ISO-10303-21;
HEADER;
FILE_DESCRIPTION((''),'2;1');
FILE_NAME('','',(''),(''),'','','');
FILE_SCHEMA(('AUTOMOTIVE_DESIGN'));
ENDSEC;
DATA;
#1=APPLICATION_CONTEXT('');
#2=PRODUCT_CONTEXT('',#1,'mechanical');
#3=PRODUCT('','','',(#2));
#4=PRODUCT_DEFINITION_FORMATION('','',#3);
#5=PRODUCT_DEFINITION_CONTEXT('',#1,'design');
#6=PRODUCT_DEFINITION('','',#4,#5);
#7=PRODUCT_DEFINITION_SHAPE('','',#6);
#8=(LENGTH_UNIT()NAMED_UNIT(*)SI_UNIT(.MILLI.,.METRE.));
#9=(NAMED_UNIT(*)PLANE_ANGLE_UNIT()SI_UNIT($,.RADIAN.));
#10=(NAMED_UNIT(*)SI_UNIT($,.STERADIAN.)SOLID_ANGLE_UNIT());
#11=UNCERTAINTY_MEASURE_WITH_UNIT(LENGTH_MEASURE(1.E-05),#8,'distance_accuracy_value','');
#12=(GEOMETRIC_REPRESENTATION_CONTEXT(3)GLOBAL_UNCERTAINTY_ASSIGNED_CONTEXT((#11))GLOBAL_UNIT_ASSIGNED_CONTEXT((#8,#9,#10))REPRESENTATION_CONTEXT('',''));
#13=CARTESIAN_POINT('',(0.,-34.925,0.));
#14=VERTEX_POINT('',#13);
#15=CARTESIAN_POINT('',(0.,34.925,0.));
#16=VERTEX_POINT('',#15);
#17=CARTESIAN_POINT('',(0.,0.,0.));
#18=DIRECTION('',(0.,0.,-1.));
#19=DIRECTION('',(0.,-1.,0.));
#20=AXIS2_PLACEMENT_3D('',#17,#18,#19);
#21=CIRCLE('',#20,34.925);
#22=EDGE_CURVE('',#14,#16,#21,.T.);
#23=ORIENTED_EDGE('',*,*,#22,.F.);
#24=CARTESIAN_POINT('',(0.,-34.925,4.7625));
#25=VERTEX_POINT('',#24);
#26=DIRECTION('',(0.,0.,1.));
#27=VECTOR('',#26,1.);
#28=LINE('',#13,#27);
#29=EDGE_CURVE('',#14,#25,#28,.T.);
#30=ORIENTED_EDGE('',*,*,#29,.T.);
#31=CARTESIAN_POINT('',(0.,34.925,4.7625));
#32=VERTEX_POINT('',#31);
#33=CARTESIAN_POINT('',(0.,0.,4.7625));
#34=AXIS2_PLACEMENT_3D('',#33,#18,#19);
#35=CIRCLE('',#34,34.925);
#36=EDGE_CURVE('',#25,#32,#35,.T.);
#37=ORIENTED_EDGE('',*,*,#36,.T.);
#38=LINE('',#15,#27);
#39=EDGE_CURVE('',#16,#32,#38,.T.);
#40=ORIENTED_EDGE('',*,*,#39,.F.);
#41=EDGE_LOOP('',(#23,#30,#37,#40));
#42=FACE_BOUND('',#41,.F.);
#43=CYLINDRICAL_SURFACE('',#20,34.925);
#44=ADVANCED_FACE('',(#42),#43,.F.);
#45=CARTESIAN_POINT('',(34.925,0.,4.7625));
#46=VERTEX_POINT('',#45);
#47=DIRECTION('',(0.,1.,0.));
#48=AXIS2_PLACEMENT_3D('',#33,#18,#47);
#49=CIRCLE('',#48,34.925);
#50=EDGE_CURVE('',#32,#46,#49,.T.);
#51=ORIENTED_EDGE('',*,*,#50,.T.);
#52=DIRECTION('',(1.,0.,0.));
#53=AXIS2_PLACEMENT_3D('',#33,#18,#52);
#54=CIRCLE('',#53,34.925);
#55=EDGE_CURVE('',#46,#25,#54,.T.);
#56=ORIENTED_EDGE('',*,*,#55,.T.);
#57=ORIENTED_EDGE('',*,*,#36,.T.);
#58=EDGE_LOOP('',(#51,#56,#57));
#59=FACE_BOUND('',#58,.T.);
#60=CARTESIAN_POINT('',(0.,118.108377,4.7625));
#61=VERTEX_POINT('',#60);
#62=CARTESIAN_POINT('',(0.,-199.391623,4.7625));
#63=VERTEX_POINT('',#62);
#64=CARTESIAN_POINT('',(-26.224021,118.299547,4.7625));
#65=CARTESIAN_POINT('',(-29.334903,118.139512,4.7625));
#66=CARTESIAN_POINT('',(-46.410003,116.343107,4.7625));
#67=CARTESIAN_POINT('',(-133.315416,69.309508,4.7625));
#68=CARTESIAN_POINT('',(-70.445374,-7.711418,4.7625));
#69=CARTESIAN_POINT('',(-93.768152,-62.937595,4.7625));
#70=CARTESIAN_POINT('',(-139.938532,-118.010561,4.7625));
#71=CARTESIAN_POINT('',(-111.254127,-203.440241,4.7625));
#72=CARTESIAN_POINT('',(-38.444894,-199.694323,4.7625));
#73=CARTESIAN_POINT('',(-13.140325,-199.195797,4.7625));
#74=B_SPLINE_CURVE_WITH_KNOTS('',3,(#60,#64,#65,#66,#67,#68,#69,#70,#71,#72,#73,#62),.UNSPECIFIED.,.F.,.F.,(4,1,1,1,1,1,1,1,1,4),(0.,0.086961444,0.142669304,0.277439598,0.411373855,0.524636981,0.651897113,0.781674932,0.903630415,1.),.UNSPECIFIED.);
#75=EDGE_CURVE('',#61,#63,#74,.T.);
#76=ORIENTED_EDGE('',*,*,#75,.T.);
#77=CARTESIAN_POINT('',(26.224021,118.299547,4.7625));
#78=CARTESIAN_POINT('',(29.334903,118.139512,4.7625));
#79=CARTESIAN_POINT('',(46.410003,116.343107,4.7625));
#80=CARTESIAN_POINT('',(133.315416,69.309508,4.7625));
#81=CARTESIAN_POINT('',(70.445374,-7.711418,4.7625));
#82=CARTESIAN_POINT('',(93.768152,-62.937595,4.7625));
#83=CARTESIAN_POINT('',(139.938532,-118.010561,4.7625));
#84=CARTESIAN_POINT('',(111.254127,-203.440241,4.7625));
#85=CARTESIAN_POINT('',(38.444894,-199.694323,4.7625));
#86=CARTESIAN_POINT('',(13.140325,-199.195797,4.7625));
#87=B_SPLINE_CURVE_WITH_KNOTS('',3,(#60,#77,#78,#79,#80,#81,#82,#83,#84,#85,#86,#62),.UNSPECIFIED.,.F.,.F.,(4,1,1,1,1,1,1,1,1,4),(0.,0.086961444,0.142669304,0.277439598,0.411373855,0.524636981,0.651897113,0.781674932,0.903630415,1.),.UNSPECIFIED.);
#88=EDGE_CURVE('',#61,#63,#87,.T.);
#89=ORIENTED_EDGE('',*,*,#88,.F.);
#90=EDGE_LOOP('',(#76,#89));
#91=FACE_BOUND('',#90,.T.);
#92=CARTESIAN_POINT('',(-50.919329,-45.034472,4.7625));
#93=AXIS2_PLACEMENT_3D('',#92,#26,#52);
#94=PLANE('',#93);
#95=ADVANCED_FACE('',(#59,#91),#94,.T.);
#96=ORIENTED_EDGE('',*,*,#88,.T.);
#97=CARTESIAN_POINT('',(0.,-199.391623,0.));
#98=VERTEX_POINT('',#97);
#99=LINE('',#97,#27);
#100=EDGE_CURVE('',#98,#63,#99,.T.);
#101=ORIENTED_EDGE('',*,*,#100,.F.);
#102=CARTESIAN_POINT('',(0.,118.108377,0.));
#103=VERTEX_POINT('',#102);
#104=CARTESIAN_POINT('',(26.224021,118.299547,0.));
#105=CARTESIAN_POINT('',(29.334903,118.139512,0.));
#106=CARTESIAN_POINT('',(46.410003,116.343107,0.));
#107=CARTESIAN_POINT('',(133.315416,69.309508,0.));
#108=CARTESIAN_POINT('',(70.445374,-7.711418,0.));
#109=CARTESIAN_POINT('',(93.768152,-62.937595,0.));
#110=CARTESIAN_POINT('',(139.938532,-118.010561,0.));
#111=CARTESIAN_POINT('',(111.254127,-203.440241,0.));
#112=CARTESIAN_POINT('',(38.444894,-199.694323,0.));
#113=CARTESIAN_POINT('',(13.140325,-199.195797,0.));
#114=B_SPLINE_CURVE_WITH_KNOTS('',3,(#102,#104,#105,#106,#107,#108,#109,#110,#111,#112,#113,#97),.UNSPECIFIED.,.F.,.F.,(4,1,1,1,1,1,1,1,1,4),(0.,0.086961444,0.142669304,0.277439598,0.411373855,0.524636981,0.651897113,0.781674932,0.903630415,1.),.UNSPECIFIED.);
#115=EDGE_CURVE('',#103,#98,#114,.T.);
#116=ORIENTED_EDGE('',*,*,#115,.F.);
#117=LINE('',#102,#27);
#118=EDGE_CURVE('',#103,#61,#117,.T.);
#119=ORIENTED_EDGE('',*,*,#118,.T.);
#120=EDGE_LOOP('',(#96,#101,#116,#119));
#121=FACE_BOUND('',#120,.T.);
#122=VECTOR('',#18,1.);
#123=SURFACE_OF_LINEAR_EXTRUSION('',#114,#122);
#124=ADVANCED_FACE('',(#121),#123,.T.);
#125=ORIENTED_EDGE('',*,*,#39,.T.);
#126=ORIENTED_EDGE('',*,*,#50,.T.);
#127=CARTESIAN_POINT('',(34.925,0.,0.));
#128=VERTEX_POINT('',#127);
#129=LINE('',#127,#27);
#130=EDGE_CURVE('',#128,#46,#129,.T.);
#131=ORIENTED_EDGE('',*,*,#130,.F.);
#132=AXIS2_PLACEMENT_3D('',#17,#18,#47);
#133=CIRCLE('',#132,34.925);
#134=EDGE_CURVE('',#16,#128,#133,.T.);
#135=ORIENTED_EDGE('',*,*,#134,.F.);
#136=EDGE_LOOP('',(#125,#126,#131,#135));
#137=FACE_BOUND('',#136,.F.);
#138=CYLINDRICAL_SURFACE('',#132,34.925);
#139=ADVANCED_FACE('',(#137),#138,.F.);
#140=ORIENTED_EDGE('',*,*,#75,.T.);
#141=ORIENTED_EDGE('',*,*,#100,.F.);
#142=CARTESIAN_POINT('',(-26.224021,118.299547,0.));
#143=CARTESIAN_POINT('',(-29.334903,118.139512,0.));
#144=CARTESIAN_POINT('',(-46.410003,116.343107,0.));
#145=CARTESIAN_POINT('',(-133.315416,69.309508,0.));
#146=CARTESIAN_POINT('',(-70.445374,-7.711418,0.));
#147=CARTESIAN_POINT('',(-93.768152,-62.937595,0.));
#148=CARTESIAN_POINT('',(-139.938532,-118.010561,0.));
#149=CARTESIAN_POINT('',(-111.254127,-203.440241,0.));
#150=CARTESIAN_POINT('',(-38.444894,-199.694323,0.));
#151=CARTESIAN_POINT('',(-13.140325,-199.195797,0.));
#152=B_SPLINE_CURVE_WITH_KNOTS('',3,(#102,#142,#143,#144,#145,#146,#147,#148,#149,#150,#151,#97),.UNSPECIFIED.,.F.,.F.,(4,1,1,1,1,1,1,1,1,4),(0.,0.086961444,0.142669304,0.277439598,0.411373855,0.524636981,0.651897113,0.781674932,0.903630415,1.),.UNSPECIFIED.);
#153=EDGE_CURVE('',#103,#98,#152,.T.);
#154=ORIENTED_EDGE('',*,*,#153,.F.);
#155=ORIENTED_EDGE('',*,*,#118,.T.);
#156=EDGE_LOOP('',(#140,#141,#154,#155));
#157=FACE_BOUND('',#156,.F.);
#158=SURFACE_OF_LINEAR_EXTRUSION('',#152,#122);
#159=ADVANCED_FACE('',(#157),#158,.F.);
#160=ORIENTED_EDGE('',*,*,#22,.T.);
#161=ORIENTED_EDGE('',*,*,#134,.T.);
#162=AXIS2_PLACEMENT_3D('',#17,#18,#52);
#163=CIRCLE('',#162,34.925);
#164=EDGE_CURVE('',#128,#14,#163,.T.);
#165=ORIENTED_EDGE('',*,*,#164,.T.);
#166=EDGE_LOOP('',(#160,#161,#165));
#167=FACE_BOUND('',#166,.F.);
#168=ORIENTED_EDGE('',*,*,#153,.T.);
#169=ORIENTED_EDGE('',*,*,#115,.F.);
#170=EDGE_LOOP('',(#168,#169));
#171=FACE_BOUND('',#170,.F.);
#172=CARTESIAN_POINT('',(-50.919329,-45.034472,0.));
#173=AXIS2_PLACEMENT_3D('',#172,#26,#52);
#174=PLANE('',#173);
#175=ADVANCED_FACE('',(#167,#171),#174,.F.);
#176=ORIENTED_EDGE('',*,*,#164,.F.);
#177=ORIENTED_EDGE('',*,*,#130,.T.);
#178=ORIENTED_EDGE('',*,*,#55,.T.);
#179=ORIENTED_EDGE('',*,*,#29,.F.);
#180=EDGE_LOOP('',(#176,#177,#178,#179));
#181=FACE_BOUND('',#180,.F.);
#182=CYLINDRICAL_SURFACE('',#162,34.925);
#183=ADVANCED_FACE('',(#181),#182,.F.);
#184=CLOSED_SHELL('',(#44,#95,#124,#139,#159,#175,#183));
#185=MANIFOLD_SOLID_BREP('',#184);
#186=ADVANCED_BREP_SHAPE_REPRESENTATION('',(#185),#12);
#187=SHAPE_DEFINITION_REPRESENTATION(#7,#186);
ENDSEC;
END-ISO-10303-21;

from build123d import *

# Parameters (mm, degrees)
F1_DEPTH = 4.7625


with BuildPart() as f1:
    # F0 (on Top) → F1 (new body)
    with BuildSketch(Plane.XY):
        with BuildLine():
            Line((0, 34.925), (0, 118.1083768606))
            add(Edge.make_bspline(
                [(0, 118.1083768606), (-26.2240208107, 118.2995467001), (-29.3349028531, 118.1395115503), (-46.4100025609, 116.3431073528), (-133.3154162229, 69.3095075457), (-70.4453736119, -7.7114178635), (-93.7681520505, -62.9375953173), (-139.9385319293, -118.0105606873), (-111.2541273978, -203.4402414791), (-38.4448942593, -199.6943225484), (-13.140325313, -199.1957967416), (0, -199.3916231394)],
                knots=[0, 0, 0, 0, 0.0869614439, 0.1426693041, 0.2774395978, 0.4113738555, 0.5246369808, 0.6518971133, 0.7816749323, 0.903630415, 1, 1, 1, 1], degree=3))
            Line((0, -199.3916231394), (0, -34.925))
            ThreePointArc((0, -34.925), (-34.925, 0), (0, 34.925))
        make_face()
        with BuildLine():
            add(Edge.make_bspline(
                [(0, 118.1083768606), (26.2240208107, 118.2995467001), (29.3349028531, 118.1395115503), (46.4100025609, 116.3431073528), (133.3154162229, 69.3095075457), (70.4453736119, -7.7114178635), (93.7681520505, -62.9375953173), (139.9385319293, -118.0105606873), (111.2541273978, -203.4402414791), (38.4448942593, -199.6943225484), (13.140325313, -199.1957967416), (0, -199.3916231394)],
                knots=[0, 0, 0, 0, 0.0869614439, 0.1426693041, 0.2774395978, 0.4113738555, 0.5246369808, 0.6518971133, 0.7816749323, 0.903630415, 1, 1, 1, 1], degree=3))
            Line((0, 118.1083768606), (0, 34.925))
            ThreePointArc((0, 34.925), (24.6957043329, 24.6957043329), (34.925, 0))
            ThreePointArc((34.925, 0), (24.6957043329, -24.6957043329), (0, -34.925))
            Line((0, -34.925), (0, -199.3916231394))
        make_face()
    extrude(amount=F1_DEPTH)


solid = f1.part
